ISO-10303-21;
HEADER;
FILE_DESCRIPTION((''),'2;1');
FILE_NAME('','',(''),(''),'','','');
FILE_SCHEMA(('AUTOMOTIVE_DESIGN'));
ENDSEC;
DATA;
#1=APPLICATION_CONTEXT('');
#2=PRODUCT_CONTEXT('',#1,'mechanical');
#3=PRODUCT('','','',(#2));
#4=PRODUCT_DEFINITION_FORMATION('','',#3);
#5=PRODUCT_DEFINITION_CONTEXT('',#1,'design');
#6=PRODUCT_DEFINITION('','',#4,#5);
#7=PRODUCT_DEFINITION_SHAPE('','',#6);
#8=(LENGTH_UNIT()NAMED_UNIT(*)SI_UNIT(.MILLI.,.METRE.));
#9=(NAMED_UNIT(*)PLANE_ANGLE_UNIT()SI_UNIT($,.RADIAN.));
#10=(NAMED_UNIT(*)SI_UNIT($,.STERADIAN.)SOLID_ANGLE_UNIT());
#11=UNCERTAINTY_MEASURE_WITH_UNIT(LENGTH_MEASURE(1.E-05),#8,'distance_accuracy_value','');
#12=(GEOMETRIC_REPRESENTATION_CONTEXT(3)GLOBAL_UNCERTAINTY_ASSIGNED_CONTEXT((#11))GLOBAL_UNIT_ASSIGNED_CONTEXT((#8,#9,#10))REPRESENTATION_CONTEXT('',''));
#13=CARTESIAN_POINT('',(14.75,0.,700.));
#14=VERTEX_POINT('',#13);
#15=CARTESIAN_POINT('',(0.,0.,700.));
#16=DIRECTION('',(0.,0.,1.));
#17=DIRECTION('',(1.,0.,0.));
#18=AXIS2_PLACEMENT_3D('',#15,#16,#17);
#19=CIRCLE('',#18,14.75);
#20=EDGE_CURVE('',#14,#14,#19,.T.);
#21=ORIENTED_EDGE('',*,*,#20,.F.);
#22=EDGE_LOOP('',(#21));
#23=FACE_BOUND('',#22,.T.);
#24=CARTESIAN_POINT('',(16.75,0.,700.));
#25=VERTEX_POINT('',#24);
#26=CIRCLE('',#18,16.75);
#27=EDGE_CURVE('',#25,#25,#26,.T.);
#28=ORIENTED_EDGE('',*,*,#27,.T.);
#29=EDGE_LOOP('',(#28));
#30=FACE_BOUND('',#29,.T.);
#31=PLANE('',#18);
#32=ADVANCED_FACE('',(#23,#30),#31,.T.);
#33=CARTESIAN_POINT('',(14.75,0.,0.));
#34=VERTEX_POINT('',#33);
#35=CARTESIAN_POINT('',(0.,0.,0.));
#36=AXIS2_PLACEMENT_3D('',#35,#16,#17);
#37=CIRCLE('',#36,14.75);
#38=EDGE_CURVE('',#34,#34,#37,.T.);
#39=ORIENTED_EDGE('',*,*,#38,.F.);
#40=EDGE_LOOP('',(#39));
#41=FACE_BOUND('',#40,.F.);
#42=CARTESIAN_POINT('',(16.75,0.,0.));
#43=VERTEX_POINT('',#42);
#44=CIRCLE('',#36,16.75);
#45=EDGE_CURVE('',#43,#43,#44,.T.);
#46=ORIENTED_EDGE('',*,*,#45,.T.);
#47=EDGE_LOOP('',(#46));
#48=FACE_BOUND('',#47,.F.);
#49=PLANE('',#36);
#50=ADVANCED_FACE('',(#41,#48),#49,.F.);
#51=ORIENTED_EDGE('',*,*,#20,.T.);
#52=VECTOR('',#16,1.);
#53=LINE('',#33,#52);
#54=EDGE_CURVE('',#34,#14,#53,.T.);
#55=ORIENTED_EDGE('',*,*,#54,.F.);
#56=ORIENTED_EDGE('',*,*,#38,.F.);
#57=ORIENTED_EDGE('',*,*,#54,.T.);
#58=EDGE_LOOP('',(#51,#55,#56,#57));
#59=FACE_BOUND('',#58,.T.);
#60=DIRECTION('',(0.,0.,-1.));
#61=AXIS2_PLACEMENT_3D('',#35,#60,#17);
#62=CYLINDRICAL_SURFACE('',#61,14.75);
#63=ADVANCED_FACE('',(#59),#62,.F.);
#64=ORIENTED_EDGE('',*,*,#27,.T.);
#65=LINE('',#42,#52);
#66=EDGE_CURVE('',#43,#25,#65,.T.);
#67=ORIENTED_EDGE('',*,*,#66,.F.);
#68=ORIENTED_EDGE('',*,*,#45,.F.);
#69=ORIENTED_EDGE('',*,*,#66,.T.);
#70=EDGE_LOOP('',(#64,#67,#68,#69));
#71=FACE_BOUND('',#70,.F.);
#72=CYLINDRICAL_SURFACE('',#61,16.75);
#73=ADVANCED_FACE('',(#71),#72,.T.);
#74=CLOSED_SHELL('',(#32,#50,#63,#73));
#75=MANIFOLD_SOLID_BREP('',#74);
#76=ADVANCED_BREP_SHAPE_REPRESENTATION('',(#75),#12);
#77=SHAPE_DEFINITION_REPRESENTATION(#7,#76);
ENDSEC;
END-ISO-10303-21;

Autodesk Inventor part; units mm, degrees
ref_plane "YZ Plane" through (0, 0, 0) normal (1, 0, 0) x (0, 1, 0)
ref_plane "XZ Plane" through (0, 0, 0) normal (0, 1, 0) x (-1, 0, 0)
ref_plane "XY Plane" through (0, 0, 0) normal (0, 0, 1) x (1, 0, 0)
sketch "Sketch1" plane through (0, 0, 0) normal (0, 0, 1) x (1, 0, 0)
  circle A0 centre (0, 0) radius 14.75
  circle A1 centre (0, 0) radius 16.75
  dimension "d1" = 2
  dimension "d4" = 33.5
extrude "Extrusion1" add sketch "Sketch1" along normal blind 700
properties part number "вал малый"
